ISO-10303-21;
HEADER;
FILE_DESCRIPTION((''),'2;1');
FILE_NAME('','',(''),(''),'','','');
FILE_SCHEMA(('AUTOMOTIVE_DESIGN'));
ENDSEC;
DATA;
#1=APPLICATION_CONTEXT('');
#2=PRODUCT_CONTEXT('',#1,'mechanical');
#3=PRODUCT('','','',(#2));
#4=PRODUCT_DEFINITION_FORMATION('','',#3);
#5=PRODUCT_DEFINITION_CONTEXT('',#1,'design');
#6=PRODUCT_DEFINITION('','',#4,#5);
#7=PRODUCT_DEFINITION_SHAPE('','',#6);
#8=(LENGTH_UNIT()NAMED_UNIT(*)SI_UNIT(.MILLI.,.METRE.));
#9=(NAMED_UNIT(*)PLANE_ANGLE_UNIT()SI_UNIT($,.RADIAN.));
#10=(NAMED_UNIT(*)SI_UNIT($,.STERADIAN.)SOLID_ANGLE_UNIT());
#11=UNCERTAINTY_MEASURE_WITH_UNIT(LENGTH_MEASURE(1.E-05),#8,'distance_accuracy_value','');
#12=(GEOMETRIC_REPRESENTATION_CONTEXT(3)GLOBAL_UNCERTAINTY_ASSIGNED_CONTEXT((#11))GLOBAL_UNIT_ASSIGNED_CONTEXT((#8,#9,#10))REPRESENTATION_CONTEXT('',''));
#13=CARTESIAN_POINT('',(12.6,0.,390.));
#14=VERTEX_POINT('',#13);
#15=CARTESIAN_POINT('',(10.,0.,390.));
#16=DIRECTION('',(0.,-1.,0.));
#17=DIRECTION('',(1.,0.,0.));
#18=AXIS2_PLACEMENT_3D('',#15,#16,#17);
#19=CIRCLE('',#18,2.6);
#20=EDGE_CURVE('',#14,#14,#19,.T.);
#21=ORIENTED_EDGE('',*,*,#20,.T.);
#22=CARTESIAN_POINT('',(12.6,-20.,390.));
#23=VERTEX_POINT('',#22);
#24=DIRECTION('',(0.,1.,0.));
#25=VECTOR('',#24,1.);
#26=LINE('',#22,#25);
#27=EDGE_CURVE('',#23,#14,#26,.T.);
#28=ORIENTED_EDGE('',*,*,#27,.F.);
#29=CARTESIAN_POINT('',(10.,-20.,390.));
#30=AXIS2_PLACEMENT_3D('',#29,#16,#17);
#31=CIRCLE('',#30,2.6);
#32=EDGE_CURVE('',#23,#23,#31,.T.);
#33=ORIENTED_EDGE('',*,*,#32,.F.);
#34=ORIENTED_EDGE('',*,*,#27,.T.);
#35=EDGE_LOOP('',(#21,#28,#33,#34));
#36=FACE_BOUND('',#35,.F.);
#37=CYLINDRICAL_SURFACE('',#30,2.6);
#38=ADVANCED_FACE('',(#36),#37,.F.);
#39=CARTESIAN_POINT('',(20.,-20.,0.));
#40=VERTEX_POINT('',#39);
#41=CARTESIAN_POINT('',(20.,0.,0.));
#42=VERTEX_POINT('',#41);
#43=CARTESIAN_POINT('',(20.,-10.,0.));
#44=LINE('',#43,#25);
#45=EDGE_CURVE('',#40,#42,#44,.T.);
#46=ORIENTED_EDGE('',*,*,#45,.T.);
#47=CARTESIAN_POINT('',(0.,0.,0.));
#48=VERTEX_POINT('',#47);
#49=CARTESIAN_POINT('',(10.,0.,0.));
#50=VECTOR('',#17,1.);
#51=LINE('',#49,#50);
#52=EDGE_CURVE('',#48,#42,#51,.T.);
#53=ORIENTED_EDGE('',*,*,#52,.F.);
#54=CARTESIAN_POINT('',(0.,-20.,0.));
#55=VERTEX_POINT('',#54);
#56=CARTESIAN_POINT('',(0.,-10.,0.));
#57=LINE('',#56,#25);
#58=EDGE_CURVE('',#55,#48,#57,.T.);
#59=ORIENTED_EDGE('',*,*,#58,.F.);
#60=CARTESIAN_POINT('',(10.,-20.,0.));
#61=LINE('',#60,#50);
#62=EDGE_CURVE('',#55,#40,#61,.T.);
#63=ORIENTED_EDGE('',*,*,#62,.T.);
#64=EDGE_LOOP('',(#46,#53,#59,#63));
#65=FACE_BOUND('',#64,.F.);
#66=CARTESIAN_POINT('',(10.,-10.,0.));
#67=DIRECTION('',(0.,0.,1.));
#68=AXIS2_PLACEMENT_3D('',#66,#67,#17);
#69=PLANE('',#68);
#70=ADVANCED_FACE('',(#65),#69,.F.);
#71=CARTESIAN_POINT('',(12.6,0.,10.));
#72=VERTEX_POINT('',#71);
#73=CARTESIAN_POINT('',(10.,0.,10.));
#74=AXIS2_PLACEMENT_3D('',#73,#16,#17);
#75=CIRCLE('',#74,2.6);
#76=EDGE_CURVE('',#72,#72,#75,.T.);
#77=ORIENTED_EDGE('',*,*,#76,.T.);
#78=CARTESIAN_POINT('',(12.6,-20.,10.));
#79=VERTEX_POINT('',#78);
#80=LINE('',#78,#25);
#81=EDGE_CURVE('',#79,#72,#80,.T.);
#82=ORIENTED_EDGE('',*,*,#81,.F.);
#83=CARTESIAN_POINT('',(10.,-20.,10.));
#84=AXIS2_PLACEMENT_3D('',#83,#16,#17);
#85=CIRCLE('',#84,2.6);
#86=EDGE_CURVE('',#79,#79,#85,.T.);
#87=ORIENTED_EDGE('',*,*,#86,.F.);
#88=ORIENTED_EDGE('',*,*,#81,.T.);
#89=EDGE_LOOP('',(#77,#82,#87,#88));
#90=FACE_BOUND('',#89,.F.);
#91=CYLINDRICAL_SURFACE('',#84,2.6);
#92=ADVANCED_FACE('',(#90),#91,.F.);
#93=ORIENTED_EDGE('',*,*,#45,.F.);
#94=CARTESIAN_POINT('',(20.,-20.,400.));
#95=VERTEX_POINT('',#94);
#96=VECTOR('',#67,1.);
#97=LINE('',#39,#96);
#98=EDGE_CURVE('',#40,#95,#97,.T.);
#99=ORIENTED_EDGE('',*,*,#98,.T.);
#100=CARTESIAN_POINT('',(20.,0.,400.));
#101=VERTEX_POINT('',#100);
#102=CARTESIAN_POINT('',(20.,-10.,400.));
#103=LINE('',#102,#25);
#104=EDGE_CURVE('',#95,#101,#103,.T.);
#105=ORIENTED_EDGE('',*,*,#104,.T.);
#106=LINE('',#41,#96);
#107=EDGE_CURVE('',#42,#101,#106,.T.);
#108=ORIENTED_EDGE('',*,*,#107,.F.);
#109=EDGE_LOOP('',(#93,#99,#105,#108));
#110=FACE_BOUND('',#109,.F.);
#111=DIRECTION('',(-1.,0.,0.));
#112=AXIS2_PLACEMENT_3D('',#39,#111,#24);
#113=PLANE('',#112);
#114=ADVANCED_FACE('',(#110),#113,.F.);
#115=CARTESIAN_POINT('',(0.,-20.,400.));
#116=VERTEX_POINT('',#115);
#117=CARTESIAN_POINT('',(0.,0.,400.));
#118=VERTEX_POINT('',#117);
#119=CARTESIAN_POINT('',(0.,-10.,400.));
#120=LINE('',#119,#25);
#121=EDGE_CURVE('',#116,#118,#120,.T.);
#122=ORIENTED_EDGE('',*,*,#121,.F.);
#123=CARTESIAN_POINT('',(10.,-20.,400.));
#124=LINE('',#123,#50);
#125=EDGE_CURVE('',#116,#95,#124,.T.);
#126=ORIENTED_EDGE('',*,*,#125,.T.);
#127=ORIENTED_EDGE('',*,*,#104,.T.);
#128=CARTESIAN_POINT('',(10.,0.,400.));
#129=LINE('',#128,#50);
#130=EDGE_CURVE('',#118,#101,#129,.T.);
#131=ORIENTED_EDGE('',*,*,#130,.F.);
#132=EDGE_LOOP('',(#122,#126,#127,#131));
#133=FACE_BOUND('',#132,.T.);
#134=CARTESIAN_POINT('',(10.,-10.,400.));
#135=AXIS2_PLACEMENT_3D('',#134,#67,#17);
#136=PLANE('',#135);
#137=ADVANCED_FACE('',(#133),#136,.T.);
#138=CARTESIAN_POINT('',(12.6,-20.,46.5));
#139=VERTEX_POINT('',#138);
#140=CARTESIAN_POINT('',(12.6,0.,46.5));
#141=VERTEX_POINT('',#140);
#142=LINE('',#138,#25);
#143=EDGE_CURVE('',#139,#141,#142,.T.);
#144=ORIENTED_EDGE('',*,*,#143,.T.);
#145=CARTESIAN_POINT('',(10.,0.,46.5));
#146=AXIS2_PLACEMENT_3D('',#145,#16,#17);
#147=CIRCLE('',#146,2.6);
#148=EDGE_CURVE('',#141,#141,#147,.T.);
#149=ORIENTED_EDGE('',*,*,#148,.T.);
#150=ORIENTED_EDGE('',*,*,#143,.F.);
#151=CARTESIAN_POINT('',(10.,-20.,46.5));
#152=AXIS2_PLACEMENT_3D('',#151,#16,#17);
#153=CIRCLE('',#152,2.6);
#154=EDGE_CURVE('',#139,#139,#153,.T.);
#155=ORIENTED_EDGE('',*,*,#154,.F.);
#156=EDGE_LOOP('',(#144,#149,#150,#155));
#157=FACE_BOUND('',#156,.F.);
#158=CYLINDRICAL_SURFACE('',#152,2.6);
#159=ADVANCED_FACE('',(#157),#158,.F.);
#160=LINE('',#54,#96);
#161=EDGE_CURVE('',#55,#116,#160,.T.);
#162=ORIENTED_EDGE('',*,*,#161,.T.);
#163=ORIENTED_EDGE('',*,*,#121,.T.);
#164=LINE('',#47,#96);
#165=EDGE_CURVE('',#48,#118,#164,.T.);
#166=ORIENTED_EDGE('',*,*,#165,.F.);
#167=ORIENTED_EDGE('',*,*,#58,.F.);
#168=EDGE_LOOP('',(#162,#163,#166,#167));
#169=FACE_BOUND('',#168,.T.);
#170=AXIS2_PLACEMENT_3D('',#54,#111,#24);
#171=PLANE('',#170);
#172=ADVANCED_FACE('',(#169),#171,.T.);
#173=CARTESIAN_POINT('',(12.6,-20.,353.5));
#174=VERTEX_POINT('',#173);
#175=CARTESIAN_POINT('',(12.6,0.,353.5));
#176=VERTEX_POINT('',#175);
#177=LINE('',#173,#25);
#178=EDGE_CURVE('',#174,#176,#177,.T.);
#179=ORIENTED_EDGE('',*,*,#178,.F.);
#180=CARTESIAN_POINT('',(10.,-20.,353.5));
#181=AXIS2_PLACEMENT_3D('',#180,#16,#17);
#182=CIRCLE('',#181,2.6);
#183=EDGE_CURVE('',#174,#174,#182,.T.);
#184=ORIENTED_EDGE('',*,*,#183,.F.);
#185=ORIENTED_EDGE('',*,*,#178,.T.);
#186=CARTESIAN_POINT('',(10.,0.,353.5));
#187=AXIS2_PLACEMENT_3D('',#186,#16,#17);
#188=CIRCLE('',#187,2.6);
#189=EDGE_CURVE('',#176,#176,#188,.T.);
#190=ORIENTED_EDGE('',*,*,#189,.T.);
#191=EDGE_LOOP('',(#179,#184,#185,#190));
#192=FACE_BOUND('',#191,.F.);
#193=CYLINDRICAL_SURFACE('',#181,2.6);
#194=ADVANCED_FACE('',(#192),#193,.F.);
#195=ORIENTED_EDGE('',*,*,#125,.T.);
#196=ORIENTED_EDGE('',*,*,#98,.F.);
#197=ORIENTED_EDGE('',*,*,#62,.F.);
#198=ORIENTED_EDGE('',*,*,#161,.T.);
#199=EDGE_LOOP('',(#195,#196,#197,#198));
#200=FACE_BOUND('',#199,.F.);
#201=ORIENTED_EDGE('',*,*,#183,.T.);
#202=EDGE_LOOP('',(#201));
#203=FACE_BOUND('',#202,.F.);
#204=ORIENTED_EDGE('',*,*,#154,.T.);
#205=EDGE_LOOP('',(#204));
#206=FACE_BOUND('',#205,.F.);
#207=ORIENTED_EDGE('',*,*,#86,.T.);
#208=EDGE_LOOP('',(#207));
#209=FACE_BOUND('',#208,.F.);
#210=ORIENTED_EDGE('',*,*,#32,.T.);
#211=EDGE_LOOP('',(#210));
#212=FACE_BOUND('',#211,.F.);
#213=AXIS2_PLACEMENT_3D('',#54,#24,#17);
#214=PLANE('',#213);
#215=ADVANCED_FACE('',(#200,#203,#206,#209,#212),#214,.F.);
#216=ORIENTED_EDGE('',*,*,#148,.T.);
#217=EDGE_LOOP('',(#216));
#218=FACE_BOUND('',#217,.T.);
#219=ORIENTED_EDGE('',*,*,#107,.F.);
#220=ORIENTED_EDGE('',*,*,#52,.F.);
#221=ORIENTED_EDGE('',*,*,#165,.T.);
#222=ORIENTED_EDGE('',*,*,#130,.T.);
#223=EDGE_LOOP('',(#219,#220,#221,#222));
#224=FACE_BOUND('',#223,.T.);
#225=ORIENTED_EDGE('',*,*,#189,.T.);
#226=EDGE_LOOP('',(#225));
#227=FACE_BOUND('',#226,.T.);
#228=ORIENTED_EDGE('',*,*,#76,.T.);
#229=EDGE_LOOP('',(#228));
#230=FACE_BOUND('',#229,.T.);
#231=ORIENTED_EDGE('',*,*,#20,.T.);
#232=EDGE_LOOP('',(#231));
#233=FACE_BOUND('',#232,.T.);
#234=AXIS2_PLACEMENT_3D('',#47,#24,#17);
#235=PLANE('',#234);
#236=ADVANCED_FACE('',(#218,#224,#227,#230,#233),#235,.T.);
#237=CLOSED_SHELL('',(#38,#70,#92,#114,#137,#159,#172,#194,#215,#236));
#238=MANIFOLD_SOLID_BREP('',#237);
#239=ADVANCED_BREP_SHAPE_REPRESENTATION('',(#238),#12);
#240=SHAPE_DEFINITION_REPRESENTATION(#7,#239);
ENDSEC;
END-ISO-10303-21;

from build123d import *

# Parameters (mm, degrees)
F0_W     = 20
F0_H     = 20
F1_DEPTH = 400
F2_R     = 2.6
F3_DEPTH = 20


with BuildPart() as f1:
    # F0 (on Top) → F1 (new body)
    with BuildSketch(Plane.XY):
        with Locations((10, -10)):
            Rectangle(F0_W, F0_H)
    extrude(amount=F1_DEPTH)

    # F2 (on face) → F3 (cut)
    with BuildSketch(Plane.XZ.offset(20)):
        with Locations((10, 10)):
            Circle(F2_R)
        with Locations((10, 390)):
            Circle(F2_R)
        with Locations((10, 353.5)):
            Circle(F2_R)
        with Locations((10, 46.5)):
            Circle(F2_R)
    extrude(amount=-F3_DEPTH, mode=Mode.SUBTRACT)


solid = f1.part
